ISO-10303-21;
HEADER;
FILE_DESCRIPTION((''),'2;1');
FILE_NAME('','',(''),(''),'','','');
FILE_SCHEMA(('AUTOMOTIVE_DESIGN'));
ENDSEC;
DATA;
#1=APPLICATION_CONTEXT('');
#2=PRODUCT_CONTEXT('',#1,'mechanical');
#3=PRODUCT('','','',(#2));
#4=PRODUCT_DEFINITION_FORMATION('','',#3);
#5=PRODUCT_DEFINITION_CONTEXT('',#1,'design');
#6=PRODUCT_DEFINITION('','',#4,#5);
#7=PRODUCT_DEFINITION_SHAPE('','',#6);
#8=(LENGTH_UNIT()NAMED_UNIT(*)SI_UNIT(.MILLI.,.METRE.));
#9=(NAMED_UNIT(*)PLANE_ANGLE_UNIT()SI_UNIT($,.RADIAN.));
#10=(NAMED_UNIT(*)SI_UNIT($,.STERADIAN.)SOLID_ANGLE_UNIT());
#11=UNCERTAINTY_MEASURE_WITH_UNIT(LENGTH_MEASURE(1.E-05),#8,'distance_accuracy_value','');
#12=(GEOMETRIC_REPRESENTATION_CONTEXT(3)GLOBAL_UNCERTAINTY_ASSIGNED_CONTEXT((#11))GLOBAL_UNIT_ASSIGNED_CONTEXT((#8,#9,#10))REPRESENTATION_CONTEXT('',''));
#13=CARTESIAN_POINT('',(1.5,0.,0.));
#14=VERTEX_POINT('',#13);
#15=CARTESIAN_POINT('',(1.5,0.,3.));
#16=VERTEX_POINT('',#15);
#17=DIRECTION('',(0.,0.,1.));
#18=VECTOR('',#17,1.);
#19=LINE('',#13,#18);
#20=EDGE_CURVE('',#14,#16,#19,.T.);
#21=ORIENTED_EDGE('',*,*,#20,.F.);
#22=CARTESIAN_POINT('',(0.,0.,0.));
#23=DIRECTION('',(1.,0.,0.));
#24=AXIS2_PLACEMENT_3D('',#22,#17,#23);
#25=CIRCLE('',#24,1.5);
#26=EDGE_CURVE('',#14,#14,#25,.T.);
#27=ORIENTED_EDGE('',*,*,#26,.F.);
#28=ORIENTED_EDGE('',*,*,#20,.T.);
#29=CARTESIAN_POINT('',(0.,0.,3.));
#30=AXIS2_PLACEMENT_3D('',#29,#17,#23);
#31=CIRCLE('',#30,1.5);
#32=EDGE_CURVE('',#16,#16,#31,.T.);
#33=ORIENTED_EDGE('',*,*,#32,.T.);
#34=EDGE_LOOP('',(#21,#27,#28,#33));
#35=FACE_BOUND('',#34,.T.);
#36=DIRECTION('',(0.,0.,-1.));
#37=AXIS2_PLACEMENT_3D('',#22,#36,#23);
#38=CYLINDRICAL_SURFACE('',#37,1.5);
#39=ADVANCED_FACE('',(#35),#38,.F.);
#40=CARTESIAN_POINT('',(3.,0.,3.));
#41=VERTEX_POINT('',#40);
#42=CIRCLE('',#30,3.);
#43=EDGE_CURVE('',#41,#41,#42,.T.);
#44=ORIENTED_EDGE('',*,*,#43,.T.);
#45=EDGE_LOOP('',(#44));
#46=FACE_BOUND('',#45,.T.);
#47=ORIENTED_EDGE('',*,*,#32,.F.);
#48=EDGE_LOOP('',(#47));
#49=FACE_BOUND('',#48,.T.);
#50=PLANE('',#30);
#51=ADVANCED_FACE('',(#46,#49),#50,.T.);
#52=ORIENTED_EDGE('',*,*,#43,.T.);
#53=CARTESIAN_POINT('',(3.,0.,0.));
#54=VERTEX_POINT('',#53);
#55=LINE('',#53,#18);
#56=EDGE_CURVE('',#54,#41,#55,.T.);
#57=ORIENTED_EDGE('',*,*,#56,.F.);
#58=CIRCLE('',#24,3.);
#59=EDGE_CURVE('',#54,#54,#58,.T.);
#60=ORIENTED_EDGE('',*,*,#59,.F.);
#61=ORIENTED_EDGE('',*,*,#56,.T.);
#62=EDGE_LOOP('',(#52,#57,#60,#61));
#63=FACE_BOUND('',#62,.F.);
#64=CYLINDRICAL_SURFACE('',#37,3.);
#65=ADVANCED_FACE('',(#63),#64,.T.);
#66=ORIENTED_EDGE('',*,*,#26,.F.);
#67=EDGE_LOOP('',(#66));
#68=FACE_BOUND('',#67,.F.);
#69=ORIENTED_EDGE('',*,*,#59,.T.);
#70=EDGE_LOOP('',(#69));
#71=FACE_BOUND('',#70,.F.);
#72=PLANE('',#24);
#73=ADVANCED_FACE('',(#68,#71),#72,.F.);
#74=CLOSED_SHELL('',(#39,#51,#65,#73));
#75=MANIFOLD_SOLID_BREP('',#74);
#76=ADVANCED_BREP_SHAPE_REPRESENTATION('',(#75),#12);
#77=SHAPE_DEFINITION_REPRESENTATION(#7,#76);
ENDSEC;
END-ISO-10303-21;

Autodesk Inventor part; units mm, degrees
ref_plane "YZ Plane" through (0, 0, 0) normal (1, 0, 0) x (0, 1, 0)
ref_plane "XZ Plane" through (0, 0, 0) normal (0, 1, 0) x (-1, 0, 0)
ref_plane "XY Plane" through (0, 0, 0) normal (0, 0, 1) x (1, 0, 0)
sketch "スケッチ1" plane through (0, 0, 0) normal (0, 0, 1) x (1, 0, 0)
  circle A0 centre (0, 0) radius 3
  circle A1 centre (0, 0) radius 1.5
  dimension "d0" = 6
  dimension "d1" = 3
extrude "押し出し1" add sketch "スケッチ1" along normal blind 3
properties part number "スペーサーm3-3　中空型" material "アルミニウム 2014-T4"
